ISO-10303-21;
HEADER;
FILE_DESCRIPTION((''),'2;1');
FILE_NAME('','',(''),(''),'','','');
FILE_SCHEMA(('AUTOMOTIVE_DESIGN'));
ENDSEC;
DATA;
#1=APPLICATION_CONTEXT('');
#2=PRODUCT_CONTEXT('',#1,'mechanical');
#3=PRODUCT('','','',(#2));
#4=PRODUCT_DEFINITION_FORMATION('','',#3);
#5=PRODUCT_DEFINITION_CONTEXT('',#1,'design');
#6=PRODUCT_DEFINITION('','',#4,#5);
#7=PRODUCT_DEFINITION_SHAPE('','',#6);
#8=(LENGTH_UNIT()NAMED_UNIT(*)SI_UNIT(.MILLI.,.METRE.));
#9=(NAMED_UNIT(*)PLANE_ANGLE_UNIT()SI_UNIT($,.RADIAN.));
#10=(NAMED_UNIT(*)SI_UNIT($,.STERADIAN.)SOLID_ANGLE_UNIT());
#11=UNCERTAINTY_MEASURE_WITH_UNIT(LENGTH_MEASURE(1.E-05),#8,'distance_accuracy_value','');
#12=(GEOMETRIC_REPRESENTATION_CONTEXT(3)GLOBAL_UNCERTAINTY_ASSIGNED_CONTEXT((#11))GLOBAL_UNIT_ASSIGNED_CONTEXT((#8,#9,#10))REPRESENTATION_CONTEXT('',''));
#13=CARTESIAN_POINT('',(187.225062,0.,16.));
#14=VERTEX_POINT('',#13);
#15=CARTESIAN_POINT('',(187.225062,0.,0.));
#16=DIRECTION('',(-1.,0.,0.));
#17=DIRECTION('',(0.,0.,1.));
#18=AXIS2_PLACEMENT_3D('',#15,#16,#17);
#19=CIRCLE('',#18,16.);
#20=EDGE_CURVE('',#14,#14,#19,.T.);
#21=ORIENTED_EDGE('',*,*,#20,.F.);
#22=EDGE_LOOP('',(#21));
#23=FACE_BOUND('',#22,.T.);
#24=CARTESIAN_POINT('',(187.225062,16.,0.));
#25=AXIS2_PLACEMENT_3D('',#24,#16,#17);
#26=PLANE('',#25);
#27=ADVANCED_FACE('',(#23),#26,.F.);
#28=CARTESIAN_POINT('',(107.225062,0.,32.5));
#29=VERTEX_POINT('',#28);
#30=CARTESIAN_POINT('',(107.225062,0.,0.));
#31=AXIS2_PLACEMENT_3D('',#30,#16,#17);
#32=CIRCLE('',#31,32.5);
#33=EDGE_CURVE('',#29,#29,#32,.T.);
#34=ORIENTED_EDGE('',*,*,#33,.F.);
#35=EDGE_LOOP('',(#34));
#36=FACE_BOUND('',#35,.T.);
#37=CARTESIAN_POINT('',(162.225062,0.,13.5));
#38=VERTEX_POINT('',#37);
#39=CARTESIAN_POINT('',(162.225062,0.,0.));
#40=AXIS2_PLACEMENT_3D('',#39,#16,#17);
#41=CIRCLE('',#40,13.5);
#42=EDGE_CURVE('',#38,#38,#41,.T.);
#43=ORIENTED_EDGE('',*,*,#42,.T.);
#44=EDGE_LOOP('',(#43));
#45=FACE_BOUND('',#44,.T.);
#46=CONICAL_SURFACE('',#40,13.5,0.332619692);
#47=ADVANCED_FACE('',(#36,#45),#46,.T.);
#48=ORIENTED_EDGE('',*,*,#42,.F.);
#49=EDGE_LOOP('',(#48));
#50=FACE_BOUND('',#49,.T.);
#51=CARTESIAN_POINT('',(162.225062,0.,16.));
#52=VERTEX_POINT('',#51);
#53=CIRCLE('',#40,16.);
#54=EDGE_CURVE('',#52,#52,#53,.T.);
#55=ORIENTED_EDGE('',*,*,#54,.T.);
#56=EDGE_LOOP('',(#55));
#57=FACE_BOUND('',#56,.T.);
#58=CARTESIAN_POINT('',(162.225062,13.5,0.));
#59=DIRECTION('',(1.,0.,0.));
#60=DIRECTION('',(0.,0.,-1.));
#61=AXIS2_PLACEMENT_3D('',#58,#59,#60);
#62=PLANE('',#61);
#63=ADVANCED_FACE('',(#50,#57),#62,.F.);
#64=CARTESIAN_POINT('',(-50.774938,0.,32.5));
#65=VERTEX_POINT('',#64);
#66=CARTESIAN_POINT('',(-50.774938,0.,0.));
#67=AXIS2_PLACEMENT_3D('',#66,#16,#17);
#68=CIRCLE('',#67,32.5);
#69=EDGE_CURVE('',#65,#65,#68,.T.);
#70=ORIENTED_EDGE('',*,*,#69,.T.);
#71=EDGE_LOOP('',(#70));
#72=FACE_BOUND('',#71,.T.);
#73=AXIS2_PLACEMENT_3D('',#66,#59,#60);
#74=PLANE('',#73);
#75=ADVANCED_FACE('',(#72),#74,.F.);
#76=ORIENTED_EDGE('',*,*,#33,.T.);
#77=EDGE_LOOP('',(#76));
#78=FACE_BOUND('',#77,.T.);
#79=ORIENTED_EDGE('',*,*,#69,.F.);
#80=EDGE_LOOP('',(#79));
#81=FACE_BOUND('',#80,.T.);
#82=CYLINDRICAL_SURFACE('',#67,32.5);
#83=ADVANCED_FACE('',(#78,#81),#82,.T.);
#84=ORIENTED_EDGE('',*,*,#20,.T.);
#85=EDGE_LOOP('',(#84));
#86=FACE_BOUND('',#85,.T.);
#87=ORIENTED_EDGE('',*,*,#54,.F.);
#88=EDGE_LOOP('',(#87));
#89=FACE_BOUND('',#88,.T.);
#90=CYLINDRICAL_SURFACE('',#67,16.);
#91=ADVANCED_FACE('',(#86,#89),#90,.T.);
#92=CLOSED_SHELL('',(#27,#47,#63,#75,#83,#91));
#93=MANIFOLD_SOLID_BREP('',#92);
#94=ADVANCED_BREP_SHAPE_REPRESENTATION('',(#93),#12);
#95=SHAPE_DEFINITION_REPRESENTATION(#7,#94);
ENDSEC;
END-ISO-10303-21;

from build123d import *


with BuildPart() as part:
    # Эскиз1 → Повернуть1 (revolve)
    with BuildSketch(Plane.XY, mode=Mode.PRIVATE) as revolve_1_sk:
        Polygon((-50.774937895, 0), (-50.774937895, 32.5), (107.225062105, 32.5), (162.225062105, 13.5), (162.225062105, 16), (187.225062105, 16), (187.225062105, 0), align=None)
    revolve(revolve_1_sk.sketch.rotate(Axis((-50.774937895, 0, 0), (1, 0, 0)), 90), axis=Axis((-50.774937895, 0, 0), (1, 0, 0)))  # turned: the seam where the file's is


solid = part.part
